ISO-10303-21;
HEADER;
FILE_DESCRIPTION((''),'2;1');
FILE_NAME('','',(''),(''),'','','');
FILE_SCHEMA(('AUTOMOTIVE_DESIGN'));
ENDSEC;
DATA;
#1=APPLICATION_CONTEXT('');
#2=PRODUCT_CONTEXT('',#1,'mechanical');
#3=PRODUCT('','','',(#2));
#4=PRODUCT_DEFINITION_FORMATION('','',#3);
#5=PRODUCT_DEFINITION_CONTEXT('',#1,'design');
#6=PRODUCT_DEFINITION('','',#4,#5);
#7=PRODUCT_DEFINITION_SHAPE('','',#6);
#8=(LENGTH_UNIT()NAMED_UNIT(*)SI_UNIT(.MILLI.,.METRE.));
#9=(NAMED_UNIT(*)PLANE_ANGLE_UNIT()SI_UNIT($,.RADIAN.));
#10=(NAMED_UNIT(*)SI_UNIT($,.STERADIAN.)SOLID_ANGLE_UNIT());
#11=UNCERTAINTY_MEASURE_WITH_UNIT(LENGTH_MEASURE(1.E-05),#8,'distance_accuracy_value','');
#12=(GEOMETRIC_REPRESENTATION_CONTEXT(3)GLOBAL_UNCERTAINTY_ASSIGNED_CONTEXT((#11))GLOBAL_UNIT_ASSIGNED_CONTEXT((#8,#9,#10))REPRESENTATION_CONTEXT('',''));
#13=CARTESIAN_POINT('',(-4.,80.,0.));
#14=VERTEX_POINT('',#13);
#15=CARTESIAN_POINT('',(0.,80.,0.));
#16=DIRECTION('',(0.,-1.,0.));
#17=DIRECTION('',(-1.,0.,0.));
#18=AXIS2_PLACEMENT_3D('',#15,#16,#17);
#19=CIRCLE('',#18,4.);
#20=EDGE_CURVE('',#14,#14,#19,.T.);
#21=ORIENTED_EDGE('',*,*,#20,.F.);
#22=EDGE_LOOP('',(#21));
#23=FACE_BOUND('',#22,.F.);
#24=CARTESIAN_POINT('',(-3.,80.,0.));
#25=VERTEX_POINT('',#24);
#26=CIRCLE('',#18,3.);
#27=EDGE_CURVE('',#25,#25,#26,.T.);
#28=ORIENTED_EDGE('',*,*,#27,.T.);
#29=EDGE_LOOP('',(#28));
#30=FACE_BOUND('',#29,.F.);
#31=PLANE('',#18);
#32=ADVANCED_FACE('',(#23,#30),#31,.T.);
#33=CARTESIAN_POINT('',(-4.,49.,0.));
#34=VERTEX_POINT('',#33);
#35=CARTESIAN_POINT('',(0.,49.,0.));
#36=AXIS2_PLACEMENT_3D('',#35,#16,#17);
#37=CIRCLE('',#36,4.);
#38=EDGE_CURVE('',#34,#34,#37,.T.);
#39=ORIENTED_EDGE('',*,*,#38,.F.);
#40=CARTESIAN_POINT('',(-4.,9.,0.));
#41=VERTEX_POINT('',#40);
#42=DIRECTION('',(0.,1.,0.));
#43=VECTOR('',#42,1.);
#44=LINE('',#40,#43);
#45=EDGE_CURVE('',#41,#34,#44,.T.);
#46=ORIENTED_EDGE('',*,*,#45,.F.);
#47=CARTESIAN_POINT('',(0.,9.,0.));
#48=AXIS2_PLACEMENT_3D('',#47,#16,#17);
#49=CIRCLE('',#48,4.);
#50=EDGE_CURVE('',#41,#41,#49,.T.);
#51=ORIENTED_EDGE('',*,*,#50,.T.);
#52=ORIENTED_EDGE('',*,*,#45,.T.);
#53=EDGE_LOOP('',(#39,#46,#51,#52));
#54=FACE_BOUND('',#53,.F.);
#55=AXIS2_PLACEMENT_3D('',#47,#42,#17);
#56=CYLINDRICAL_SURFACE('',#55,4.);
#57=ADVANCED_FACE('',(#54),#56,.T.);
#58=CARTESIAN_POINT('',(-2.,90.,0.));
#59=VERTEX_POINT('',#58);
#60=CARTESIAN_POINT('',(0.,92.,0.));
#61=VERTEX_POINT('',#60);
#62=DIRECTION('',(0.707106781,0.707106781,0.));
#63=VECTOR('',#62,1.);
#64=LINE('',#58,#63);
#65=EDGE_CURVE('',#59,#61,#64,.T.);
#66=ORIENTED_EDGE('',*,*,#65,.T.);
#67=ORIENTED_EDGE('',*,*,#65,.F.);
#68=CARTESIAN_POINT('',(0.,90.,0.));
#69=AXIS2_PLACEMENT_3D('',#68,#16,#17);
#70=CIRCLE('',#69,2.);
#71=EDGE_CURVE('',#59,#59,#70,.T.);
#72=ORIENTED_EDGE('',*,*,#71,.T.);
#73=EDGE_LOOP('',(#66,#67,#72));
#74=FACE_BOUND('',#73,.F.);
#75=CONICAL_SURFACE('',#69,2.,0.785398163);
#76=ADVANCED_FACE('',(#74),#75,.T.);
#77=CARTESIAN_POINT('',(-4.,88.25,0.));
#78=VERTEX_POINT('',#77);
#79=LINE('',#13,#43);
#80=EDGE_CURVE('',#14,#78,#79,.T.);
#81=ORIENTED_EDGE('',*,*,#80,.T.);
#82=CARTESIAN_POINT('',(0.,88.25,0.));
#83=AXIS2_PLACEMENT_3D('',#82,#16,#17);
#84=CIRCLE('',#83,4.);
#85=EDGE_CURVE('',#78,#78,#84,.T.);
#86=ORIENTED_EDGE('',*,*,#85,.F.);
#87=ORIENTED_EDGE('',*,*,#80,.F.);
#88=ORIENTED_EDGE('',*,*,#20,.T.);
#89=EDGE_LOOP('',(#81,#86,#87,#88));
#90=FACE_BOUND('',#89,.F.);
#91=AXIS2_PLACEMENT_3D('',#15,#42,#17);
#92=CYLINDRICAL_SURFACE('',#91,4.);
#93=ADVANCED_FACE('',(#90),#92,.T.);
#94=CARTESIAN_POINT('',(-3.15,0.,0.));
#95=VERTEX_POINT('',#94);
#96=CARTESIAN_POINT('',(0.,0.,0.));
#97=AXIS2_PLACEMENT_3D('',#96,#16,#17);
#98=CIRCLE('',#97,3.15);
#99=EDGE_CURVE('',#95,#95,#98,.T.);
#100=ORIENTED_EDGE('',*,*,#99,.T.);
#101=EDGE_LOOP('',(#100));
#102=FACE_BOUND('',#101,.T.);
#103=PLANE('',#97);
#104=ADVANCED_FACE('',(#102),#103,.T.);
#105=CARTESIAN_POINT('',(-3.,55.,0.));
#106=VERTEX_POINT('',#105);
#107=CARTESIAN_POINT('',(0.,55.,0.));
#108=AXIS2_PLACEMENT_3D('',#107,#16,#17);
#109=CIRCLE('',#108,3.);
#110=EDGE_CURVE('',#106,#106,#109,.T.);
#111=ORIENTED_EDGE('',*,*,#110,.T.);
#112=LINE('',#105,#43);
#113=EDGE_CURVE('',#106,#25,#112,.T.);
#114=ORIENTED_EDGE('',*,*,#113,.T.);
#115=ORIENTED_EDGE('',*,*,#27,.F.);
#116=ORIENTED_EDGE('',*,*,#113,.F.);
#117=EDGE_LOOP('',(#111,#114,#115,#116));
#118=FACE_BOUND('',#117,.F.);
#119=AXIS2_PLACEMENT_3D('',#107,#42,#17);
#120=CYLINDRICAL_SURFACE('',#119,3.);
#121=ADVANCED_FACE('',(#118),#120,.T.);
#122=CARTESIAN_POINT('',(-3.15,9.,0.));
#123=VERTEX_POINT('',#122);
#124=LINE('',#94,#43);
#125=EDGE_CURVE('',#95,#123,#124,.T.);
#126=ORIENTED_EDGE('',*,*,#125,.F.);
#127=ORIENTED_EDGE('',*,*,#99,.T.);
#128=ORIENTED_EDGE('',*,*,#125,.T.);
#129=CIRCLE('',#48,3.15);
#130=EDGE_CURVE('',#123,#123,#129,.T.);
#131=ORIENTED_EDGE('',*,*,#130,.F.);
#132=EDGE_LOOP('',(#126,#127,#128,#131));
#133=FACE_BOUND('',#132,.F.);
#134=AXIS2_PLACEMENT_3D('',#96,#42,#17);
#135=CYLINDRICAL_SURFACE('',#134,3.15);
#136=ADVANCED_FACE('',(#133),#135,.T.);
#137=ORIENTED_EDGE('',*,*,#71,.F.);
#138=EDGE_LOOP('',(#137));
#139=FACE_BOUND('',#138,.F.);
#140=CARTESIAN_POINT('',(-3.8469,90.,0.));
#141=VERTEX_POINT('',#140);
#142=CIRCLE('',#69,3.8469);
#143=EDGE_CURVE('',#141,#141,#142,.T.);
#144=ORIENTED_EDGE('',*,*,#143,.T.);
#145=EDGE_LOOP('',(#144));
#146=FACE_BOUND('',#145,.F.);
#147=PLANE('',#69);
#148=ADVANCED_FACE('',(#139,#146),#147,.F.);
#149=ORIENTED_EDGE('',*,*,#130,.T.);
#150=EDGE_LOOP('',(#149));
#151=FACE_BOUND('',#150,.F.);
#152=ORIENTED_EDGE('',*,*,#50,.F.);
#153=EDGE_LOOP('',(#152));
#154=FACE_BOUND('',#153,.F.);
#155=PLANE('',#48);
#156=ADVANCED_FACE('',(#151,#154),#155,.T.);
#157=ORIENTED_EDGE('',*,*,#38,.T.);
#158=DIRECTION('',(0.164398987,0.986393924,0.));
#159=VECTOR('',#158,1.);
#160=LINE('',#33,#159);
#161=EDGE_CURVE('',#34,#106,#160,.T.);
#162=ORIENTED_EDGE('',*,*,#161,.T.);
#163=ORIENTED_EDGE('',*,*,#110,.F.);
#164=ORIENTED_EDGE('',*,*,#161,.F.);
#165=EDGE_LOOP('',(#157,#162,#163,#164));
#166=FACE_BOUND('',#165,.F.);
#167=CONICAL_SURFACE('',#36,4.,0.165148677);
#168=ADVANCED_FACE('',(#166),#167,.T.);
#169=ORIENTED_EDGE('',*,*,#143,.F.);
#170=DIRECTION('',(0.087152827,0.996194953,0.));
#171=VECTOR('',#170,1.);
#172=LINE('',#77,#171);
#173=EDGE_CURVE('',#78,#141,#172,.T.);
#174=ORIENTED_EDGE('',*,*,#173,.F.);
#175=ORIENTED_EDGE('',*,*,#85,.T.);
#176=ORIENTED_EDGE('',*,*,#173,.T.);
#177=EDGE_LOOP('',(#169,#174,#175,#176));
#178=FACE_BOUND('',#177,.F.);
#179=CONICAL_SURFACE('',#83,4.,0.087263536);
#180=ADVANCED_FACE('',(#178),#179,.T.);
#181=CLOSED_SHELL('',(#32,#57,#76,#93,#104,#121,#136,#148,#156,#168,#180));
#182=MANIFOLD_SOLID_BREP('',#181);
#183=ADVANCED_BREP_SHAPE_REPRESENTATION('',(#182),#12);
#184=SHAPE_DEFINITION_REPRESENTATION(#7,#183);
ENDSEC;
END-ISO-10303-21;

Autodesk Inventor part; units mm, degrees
ref_plane "YZ Plane" through (0, 0, 0) normal (1, 0, 0) x (0, 1, 0)
ref_plane "XZ Plane" through (0, 0, 0) normal (0, 1, 0) x (-1, 0, 0)
ref_plane "XY Plane" through (0, 0, 0) normal (0, 0, 1) x (1, 0, 0)
sketch "Sketch1" plane through (0, 0, 0) normal (0, 0, 1) x (1, 0, 0)
  line L0 (-4.8, 0) -> (0.8, 0) construction
  line L1 (-3.15, 0) -> (-3.15, 9)
  line L2 (-3.15, 9) -> (-4, 9)
  line L3 (-4, 9) -> (-4, 49)
  line L4 (-4, 49) -> (-3, 55)
  line L5 (-3, 55) -> (-3, 80)
  line L6 (-3, 80) -> (-4, 80)
  line L7 (-4, 80) -> (-4, 88.25)
  line L8 (-4, 88.25) -> (-3.8469, 90)
  line L9 (-3.8469, 90) -> (-2, 90)
  line L10 (-2, 90) -> (0, 92)
  line L11 (0, 92) -> (0, 0)
  line L12 (-3.15, 0) -> (0, 0)
  dimension "d1" = 92
  dimension "d16" = 45
  dimension "d18" = 3.75
  dimension "d19" = 12
  dimension "d20" = 37
  dimension "d21" = 43
  dimension "d22" = 5
  dimension "d23" = 2
  dimension "d29" = 9
  dimension "d31" = 6.3
  dimension "d32" = 8
  dimension "d33" = 6
  dimension "d34" = 8
revolve "Revolution3" add sketch "Sketch1" angle 360 about axis through (0, 92, 0) along (0, -1, 0)
properties part number "DORMER_SPU4908_M8SpiralFl_TAP"
